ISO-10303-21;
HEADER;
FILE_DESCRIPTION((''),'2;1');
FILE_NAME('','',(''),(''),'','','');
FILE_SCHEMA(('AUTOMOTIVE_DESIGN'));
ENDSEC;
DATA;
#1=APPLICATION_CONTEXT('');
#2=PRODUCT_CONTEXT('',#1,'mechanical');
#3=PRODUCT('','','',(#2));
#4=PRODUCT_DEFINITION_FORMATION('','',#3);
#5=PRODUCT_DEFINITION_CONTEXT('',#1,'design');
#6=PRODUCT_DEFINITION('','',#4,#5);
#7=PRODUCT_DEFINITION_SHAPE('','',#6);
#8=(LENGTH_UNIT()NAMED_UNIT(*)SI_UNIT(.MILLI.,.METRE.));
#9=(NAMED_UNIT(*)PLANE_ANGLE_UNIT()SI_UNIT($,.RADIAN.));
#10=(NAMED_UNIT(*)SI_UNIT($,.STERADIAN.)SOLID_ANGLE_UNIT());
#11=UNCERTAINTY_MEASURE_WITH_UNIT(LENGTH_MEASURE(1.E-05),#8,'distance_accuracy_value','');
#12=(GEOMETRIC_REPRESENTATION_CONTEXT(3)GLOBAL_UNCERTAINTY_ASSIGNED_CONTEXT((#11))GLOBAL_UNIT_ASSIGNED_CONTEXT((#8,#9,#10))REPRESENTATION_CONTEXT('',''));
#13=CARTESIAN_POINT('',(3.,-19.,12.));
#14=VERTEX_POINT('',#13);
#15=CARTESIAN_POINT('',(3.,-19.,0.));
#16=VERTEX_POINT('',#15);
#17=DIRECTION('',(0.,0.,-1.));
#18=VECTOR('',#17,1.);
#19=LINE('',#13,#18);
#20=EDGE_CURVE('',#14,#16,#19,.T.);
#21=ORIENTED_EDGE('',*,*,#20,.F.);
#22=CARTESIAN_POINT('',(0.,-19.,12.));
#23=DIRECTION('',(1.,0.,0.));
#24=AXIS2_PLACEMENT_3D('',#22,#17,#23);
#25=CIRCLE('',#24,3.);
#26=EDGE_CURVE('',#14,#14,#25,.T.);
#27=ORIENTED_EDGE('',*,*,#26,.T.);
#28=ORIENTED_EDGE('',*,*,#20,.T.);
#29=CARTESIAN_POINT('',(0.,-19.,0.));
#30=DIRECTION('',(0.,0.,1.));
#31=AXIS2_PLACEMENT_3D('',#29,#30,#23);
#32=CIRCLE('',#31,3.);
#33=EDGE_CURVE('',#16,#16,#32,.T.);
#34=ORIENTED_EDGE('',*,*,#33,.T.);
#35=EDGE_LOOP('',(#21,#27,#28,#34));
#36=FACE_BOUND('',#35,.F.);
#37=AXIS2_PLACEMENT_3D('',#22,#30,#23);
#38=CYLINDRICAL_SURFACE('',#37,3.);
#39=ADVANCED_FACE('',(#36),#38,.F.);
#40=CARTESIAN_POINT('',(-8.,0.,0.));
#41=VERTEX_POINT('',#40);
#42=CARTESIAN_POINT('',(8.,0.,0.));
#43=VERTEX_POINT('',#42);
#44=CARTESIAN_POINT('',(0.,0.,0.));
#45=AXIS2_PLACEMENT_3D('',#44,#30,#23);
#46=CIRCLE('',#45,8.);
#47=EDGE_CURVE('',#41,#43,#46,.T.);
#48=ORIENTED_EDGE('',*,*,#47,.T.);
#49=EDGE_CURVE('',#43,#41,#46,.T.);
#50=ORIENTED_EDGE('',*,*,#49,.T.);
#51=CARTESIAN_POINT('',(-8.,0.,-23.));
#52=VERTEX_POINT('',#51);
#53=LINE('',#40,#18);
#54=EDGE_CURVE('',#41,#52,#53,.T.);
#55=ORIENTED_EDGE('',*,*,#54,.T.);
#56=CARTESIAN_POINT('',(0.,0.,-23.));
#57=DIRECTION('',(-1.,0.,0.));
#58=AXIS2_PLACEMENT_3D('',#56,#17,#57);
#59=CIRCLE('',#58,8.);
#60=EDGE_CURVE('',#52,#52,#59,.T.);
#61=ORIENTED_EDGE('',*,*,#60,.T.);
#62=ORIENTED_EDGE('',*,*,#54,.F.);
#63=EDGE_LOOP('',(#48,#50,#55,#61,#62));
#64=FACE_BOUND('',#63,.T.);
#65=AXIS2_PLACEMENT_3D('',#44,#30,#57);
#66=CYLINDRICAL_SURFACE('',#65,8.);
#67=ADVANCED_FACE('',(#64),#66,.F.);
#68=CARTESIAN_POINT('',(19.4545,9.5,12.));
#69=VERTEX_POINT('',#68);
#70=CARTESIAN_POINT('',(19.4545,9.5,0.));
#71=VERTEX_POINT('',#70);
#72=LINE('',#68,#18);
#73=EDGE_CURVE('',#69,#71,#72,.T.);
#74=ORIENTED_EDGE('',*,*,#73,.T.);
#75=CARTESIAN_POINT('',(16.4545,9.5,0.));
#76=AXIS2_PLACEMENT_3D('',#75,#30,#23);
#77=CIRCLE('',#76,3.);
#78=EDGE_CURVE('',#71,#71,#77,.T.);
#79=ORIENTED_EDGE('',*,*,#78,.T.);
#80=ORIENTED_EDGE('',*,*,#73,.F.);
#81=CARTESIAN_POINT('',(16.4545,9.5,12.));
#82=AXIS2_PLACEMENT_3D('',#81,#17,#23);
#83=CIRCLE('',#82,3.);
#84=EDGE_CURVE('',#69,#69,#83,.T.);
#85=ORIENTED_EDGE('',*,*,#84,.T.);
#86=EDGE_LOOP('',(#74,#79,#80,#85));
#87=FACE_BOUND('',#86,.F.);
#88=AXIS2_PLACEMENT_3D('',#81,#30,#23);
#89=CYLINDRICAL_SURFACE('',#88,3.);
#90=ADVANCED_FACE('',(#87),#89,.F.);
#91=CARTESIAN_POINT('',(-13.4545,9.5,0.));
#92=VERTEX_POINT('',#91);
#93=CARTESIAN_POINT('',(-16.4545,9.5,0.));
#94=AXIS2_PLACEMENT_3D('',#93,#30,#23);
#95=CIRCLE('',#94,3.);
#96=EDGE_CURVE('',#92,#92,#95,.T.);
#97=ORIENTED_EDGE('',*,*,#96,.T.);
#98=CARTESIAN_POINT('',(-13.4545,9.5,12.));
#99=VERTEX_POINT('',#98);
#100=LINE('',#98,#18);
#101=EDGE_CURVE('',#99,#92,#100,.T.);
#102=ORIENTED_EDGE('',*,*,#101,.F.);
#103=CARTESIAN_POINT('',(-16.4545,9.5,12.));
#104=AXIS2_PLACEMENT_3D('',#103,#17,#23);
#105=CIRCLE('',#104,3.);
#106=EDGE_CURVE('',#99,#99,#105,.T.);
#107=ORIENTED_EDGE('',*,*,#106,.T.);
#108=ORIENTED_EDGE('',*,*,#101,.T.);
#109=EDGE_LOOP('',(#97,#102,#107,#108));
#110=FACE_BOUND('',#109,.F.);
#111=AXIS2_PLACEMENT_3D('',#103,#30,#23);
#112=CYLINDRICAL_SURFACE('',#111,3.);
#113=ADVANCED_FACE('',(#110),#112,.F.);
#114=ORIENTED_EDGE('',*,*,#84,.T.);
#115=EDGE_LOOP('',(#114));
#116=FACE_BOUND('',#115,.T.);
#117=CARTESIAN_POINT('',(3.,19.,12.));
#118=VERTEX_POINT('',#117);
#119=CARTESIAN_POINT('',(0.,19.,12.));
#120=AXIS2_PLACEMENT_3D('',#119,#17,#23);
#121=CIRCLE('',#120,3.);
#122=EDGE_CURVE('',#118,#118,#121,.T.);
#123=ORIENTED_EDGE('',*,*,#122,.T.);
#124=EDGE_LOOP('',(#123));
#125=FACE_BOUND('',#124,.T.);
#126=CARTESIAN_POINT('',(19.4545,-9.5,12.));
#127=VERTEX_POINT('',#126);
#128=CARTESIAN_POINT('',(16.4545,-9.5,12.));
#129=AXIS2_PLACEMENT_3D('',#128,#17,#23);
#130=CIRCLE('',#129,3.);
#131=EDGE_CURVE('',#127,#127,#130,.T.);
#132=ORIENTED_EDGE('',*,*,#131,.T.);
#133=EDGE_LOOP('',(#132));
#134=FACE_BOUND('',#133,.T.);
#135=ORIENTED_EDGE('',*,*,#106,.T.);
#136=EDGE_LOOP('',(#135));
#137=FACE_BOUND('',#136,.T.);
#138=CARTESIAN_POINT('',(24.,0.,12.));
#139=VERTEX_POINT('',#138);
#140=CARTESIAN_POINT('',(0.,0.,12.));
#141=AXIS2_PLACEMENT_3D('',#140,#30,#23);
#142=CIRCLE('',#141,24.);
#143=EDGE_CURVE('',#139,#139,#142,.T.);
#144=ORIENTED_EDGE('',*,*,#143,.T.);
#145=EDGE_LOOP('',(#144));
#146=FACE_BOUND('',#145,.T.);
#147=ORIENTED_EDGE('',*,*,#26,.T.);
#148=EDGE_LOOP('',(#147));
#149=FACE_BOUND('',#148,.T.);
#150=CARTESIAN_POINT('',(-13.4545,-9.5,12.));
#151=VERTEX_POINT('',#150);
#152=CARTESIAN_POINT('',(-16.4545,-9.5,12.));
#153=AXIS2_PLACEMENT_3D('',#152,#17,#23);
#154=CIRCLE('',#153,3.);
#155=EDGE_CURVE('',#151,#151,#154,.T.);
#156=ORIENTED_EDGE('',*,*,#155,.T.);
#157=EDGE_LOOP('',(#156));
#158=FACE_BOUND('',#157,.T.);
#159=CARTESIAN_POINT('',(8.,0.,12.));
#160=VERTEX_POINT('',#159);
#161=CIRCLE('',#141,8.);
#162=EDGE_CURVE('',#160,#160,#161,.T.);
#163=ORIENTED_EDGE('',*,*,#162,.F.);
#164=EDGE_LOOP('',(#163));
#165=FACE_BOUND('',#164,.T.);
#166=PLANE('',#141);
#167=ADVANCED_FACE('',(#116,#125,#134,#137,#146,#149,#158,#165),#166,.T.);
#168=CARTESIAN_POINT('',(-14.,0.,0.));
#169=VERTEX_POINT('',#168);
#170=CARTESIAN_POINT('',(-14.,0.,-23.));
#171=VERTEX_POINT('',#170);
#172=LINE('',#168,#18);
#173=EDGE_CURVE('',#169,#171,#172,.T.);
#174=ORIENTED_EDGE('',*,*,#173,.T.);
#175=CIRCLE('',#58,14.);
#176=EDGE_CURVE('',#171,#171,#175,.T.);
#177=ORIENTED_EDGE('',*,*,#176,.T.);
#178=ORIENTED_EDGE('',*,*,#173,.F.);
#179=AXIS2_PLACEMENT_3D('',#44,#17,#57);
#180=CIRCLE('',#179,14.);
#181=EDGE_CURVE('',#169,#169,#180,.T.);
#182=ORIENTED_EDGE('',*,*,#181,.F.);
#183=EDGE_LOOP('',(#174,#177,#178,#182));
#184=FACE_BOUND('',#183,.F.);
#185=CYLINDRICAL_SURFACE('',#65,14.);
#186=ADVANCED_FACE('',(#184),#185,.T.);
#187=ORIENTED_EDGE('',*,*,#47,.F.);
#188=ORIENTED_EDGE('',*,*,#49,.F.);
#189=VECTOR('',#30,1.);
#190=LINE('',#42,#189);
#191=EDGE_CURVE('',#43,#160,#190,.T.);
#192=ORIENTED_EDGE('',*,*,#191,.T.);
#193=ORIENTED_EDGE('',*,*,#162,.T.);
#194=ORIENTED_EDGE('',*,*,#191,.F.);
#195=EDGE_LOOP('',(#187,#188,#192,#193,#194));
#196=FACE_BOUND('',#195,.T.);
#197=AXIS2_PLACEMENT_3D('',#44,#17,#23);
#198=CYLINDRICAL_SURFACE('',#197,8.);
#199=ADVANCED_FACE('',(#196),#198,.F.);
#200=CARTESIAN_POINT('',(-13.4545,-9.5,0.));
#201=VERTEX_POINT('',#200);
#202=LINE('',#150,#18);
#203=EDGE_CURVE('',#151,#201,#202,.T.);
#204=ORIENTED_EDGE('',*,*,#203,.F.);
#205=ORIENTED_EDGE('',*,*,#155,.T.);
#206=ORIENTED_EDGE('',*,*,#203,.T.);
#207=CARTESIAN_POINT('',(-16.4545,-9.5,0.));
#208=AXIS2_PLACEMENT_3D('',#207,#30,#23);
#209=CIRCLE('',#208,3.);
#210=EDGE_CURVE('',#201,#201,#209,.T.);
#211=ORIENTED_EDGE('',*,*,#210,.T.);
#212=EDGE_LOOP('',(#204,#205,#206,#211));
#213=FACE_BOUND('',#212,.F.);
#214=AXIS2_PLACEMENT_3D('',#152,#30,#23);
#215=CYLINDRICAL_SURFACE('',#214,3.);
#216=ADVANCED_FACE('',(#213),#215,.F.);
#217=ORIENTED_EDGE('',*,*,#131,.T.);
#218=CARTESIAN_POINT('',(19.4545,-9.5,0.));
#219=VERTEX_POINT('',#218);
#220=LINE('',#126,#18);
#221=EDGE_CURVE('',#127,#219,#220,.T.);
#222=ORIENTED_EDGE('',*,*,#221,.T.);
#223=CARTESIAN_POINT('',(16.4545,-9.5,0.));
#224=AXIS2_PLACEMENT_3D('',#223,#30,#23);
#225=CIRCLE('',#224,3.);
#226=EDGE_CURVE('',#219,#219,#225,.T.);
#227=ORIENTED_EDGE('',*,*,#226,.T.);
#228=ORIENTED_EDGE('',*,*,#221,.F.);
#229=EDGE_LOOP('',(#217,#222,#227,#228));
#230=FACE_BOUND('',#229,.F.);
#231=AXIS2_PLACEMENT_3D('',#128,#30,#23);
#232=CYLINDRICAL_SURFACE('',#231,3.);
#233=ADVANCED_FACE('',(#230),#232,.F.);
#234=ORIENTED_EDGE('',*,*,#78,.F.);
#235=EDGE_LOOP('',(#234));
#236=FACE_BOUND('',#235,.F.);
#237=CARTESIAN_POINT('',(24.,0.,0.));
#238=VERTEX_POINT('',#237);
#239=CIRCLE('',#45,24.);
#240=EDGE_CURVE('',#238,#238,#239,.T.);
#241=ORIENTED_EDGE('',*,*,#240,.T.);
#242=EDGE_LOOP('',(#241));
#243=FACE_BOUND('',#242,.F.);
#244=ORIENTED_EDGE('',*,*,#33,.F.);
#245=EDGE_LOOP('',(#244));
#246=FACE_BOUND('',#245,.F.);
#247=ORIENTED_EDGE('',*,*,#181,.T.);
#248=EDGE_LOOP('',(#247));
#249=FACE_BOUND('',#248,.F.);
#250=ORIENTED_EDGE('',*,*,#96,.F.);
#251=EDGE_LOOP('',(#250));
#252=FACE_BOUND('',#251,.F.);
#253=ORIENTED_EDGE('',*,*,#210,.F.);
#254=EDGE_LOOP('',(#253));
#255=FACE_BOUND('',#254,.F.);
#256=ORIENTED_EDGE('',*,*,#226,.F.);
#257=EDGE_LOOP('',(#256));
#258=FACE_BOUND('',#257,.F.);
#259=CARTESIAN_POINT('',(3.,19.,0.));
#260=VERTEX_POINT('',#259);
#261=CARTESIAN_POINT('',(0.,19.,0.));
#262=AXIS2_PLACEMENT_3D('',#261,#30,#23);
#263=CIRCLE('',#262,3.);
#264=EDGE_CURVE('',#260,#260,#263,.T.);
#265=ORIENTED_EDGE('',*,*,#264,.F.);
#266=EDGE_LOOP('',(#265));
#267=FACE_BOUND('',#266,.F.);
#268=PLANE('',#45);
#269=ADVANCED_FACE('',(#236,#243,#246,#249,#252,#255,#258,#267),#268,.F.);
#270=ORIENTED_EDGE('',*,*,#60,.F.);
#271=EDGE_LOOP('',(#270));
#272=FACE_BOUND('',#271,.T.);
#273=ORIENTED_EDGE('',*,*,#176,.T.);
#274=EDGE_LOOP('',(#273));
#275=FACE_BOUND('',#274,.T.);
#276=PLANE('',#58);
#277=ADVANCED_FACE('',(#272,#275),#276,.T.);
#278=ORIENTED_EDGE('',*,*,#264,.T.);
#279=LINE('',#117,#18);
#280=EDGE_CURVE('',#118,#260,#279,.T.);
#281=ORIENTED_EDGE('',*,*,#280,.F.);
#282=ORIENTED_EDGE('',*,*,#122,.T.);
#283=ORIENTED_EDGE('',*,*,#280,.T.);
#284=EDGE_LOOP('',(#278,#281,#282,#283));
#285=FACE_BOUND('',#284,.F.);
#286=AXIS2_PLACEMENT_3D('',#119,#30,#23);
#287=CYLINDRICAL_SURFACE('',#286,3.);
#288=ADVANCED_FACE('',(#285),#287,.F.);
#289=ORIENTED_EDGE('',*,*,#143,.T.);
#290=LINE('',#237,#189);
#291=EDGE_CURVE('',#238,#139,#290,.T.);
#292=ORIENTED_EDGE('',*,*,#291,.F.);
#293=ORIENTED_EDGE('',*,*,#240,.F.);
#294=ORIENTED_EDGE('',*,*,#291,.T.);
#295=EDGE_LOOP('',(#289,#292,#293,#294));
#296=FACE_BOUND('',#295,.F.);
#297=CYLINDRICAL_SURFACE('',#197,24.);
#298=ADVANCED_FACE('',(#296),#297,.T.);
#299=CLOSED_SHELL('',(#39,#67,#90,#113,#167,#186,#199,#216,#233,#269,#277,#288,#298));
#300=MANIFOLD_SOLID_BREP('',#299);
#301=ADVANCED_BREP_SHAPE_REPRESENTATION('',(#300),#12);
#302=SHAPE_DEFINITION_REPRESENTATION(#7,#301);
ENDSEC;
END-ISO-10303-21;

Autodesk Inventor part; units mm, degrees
ref_plane "YZ Plane" through (0, 0, 0) normal (1, 0, 0) x (0, 1, 0)
ref_plane "XZ Plane" through (0, 0, 0) normal (0, 1, 0) x (-1, 0, 0)
ref_plane "XY Plane" through (0, 0, 0) normal (0, 0, 1) x (1, 0, 0)
sketch "Szkic1" plane through (0, 0, 0) normal (0, 0, 1) x (1, 0, 0)
  circle A0 centre (0, 0) radius 24
  circle A1 centre (0, 0) radius 8
  dimension "d0" = 48
  dimension "d1" = 16
extrude "Wyciągnięcie proste1" add sketch "Szkic1" along normal blind 12
sketch "Szkic2" plane through (0, 0, 0) normal (0, 0, -1) x (-1, 0, 0)
  circle A0 centre (0, 0) radius 8 projected
  circle A1 centre (0, 0) radius 14
  dimension "d4" = 28
extrude "Wyciągnięcie proste2" add sketch "Szkic2" along normal blind 23
sketch "Szkic3" plane through (0, 0, 12) normal (0, 0, 1) x (1, 0, 0)
  circle A0 centre (0, 0) radius 19
  circle A1 centre (0, 19) radius 3
  circle A2 centre (16.4545, 9.5) radius 3
  circle A3 centre (16.4545, -9.5) radius 3
  circle A4 centre (0, -19) radius 3
  circle A5 centre (-16.4545, -9.5) radius 3
  circle A6 centre (-16.4545, 9.5) radius 3
  dimension "d7" = 38
  dimension "d8" = 6
  dimension "d11" = 360
extrude "Wyciągnięcie proste3" cut sketch "Szkic3" against normal up to next contours A2 A0 | A0 A2 | A3 A0 | A0 A3 | A1 A0 | A0 A1 | A4 A0 | A0 A4 | A6 A0 | A0 A6 | A5 A0 | A0 A5
properties part number "Nakrętka trapezowa kołnierzowa JFRM-2835TR16x4"
